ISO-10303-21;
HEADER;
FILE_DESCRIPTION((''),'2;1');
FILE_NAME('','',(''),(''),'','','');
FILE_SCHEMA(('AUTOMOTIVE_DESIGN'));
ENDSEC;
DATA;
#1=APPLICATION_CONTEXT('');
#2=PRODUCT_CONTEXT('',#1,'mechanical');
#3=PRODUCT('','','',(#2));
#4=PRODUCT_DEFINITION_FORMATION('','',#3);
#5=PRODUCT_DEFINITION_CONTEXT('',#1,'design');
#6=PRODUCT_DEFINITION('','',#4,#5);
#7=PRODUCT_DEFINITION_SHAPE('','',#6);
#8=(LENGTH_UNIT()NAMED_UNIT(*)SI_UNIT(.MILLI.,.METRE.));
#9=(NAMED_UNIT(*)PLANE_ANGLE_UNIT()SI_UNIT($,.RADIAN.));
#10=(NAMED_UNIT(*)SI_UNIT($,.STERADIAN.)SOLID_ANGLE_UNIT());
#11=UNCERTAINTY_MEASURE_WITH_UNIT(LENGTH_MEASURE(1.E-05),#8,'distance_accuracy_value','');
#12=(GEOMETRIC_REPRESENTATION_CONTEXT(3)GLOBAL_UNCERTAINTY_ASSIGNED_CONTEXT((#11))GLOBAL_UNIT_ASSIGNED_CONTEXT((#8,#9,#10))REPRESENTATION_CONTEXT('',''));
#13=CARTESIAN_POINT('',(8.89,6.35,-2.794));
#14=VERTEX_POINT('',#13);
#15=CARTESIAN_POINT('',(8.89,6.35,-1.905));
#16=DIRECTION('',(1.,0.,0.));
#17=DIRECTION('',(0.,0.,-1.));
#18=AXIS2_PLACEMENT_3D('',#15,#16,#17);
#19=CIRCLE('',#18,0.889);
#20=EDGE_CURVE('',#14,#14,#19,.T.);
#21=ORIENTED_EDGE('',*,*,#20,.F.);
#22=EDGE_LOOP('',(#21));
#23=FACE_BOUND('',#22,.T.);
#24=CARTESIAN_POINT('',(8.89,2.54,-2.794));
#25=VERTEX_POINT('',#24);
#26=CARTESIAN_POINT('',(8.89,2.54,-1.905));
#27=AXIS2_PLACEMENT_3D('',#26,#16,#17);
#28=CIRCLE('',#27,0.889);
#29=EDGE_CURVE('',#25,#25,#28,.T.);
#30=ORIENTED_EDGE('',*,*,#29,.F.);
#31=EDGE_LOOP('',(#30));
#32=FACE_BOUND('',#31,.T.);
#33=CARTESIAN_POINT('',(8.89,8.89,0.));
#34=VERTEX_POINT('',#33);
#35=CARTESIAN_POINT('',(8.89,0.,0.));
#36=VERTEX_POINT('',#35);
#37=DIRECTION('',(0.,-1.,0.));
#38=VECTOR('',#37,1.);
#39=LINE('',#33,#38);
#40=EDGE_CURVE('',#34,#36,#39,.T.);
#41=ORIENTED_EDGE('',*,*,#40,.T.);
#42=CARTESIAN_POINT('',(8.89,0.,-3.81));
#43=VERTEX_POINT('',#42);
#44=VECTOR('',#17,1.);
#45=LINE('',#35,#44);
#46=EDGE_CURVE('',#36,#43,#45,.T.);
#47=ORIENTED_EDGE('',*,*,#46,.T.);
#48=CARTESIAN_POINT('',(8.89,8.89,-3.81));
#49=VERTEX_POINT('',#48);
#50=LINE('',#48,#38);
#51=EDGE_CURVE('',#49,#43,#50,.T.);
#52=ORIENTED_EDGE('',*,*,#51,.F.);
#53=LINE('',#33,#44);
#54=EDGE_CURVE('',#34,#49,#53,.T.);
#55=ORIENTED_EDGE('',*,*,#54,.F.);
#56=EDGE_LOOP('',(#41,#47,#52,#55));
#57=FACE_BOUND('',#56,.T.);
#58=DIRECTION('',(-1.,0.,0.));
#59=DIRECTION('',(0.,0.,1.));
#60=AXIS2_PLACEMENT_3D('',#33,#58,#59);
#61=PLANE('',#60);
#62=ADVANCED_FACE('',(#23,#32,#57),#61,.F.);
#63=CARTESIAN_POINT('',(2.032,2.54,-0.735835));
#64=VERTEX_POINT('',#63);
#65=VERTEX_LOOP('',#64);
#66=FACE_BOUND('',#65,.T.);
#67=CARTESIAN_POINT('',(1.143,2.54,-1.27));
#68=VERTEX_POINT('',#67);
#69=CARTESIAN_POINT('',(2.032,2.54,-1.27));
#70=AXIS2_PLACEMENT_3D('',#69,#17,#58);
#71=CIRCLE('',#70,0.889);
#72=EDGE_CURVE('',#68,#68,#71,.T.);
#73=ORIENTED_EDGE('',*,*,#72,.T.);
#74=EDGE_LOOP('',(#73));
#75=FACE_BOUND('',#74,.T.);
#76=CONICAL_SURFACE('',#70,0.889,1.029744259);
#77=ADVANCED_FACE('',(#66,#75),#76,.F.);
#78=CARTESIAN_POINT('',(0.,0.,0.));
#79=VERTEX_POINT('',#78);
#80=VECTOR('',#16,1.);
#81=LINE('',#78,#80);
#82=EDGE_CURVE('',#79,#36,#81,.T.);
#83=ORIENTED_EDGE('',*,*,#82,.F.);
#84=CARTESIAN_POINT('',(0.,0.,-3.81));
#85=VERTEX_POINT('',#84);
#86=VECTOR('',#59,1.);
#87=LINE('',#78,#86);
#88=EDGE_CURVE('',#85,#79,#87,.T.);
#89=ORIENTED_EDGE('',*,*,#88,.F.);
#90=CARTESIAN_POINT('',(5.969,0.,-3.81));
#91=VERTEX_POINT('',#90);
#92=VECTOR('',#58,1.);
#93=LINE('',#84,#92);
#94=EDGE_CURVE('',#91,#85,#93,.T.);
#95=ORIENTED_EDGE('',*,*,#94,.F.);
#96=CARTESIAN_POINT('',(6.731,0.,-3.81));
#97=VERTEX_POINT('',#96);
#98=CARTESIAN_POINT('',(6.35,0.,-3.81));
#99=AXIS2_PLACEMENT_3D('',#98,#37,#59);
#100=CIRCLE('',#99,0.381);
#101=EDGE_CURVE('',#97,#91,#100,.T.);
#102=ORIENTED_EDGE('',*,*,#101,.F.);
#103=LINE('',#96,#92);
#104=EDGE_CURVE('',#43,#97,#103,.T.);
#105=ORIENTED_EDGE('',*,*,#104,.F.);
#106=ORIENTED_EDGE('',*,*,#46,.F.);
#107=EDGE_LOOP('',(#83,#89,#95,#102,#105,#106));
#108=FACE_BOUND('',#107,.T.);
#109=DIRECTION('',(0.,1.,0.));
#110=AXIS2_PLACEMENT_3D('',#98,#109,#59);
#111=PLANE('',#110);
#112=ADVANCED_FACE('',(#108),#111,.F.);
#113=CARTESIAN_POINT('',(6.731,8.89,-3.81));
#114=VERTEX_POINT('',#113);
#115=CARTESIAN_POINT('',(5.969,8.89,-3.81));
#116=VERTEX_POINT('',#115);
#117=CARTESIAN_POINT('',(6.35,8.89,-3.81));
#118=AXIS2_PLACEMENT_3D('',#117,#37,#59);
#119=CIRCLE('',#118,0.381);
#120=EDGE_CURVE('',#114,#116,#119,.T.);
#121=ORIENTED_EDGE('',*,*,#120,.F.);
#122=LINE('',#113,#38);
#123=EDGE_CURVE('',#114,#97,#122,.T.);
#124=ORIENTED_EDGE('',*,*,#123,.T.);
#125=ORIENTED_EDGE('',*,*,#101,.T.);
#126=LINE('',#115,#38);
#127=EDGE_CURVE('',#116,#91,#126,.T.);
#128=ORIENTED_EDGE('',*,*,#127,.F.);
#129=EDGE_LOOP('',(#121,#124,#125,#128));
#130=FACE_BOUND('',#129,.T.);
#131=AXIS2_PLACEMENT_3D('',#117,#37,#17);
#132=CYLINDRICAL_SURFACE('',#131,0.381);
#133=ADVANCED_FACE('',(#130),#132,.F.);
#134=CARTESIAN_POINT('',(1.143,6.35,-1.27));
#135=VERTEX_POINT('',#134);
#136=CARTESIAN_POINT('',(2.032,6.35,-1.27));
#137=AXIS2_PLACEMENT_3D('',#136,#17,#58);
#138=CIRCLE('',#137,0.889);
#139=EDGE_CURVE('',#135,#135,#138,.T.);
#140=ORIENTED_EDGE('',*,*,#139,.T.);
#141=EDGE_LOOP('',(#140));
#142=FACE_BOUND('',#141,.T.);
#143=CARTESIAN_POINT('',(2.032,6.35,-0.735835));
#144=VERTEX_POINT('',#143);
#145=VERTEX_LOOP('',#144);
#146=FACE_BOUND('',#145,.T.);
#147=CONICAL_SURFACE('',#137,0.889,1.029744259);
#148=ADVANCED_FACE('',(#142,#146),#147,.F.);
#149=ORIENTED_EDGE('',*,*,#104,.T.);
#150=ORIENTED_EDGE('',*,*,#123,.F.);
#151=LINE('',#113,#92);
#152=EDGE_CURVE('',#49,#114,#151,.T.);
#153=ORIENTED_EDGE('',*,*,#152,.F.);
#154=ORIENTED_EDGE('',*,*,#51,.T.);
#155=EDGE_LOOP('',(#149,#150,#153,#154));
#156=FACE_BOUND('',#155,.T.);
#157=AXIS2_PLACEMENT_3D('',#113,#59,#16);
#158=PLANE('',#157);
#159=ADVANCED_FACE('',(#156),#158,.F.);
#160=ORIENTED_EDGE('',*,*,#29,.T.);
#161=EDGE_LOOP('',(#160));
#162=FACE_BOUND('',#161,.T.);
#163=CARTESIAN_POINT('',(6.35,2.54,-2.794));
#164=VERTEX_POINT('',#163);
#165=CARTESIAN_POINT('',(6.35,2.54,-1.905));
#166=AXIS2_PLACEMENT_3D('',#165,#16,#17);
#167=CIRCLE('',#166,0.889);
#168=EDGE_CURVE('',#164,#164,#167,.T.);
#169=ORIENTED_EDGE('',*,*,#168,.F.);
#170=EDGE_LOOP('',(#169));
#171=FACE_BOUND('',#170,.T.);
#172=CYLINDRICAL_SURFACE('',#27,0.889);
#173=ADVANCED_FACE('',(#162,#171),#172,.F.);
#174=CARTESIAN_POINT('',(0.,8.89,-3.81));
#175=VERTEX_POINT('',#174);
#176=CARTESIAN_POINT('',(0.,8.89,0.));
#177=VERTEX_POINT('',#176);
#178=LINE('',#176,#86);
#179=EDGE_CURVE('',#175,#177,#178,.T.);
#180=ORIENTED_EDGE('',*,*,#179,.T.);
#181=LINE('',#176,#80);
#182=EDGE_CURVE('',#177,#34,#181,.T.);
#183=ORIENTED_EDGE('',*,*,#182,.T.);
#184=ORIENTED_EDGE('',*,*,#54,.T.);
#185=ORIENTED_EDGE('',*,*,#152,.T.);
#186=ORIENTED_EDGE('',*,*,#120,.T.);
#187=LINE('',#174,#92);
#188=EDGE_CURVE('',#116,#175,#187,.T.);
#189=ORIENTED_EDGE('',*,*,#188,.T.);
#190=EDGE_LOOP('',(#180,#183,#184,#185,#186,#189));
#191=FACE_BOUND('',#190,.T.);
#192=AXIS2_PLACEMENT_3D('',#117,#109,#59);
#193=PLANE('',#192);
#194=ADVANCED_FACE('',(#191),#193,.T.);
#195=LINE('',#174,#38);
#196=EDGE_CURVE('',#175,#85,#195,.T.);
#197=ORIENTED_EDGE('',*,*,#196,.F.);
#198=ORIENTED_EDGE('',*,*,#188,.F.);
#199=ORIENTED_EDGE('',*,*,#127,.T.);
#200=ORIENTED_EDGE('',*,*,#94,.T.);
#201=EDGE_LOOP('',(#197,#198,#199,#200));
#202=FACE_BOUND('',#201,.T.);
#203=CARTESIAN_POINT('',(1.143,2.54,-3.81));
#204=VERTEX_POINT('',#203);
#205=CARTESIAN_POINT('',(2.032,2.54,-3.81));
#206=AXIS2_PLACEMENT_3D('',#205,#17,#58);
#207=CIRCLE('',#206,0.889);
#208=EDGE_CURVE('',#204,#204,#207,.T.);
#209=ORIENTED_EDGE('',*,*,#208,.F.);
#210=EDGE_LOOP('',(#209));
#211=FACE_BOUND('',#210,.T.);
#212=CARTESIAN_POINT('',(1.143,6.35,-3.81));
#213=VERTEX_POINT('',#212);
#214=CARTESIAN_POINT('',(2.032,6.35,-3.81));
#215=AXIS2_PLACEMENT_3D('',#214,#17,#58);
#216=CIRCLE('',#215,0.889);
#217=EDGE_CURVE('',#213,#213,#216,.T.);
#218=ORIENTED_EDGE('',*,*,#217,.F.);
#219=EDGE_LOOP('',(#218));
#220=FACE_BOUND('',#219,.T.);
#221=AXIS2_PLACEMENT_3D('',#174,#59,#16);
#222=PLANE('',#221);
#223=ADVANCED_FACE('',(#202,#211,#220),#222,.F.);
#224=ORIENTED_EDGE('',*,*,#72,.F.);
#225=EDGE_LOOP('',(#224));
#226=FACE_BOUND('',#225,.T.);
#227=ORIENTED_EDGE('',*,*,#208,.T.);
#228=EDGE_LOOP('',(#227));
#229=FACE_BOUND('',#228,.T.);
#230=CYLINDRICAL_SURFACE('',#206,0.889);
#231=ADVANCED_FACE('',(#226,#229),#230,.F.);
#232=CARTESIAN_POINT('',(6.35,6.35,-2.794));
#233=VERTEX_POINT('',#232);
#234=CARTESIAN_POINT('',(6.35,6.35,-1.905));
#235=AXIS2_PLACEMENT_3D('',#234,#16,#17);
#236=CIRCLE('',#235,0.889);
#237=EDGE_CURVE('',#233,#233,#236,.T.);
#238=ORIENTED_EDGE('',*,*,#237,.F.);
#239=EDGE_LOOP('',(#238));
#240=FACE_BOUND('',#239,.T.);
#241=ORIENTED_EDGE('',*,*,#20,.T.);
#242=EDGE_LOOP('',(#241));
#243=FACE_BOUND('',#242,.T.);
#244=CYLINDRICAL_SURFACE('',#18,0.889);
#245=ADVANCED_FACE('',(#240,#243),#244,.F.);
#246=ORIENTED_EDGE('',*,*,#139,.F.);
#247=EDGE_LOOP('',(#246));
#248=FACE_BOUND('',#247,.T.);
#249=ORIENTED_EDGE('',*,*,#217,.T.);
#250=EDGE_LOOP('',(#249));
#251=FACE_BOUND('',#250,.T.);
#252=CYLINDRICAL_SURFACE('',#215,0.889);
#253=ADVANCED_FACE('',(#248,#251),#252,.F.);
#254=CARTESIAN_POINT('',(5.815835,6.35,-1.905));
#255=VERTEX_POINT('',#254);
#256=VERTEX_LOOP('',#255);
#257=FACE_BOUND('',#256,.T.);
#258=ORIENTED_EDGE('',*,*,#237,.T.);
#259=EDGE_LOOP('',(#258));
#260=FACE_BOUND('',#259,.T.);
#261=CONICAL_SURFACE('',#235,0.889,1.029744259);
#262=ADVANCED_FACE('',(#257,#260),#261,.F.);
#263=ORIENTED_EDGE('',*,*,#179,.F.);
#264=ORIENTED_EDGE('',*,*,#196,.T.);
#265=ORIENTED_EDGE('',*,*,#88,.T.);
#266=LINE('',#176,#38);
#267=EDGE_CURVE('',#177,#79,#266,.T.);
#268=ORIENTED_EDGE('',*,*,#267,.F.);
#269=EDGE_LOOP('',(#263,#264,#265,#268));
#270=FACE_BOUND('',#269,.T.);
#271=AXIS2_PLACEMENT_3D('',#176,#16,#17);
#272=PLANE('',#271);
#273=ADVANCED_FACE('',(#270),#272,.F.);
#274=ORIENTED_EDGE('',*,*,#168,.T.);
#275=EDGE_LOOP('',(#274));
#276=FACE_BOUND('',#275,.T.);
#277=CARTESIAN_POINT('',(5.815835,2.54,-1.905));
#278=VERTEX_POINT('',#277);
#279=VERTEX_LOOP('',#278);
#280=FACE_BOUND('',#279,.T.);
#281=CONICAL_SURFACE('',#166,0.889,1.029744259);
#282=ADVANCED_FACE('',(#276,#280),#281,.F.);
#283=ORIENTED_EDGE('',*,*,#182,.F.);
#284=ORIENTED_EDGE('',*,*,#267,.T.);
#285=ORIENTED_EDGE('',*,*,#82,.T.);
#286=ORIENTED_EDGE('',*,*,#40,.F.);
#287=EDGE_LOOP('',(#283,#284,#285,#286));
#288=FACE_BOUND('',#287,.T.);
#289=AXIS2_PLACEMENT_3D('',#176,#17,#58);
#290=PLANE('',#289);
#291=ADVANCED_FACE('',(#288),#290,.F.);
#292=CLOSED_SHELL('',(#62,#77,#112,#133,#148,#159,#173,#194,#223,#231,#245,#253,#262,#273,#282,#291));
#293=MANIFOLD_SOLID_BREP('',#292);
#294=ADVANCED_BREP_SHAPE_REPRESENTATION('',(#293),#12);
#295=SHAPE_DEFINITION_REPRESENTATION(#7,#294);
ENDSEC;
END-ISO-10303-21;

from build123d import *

# Parameters (mm, degrees)
BOSS_EXTRUDE1_DEPTH                 = 8.89
F_2_56_TAPPED_HOLE1_D               = 1.778
F_2_56_TAPPED_HOLE1_DEPTH           = 2.54
F_2_56_TAPPED_HOLE1_TIP             = 0.53416509
F_2_56_TAPPED_HOLE1_ON_FACE_2_D     = 1.778
F_2_56_TAPPED_HOLE1_ON_FACE_2_DEPTH = 2.54
F_2_56_TAPPED_HOLE1_ON_FACE_2_TIP   = 0.53416509


with BuildPart() as part:
    # Sketch1 → Boss-Extrude1 (new body)
    with BuildSketch(Plane(origin=(0, 0, 0), x_dir=(1, 0, 0), z_dir=(0, 1, 0))):
        with BuildLine():
            Line((6.731, 3.81), (8.89, 3.81))
            Line((8.89, 3.81), (8.89, 0))
            Line((8.89, 0), (0, 0))
            Line((0, 0), (0, 3.81))
            Line((0, 3.81), (5.969, 3.81))
            ThreePointArc((5.969, 3.81), (6.35, 3.429), (6.731, 3.81))
        make_face()
    extrude(amount=BOSS_EXTRUDE1_DEPTH)

    # #2-56 Tapped Hole1
    with Locations(Plane(origin=(8.89, 2.54, -1.905), x_dir=(0, 0, 1), z_dir=(1, 0, 0))):
        with Locations((0, 0), (0, -3.81)):
            Hole(F_2_56_TAPPED_HOLE1_D / 2, depth=F_2_56_TAPPED_HOLE1_DEPTH)
            with Locations((0, 0, -(F_2_56_TAPPED_HOLE1_DEPTH + F_2_56_TAPPED_HOLE1_TIP / 2))):  # 118° drill point
                Cone(0, F_2_56_TAPPED_HOLE1_D / 2, F_2_56_TAPPED_HOLE1_TIP, mode=Mode.SUBTRACT)

    # #2-56 Tapped Hole1 on face 2
    with Locations(Plane(origin=(2.032, 2.54, -3.81), x_dir=(-1, 0, 0), z_dir=(0, 0, -1))):
        with Locations((0, 0), (0, 3.81)):
            Hole(F_2_56_TAPPED_HOLE1_ON_FACE_2_D / 2, depth=F_2_56_TAPPED_HOLE1_ON_FACE_2_DEPTH)
            with Locations((0, 0, -(F_2_56_TAPPED_HOLE1_ON_FACE_2_DEPTH + F_2_56_TAPPED_HOLE1_ON_FACE_2_TIP / 2))):  # 118° drill point
                Cone(0, F_2_56_TAPPED_HOLE1_ON_FACE_2_D / 2, F_2_56_TAPPED_HOLE1_ON_FACE_2_TIP, mode=Mode.SUBTRACT)


solid = part.part
